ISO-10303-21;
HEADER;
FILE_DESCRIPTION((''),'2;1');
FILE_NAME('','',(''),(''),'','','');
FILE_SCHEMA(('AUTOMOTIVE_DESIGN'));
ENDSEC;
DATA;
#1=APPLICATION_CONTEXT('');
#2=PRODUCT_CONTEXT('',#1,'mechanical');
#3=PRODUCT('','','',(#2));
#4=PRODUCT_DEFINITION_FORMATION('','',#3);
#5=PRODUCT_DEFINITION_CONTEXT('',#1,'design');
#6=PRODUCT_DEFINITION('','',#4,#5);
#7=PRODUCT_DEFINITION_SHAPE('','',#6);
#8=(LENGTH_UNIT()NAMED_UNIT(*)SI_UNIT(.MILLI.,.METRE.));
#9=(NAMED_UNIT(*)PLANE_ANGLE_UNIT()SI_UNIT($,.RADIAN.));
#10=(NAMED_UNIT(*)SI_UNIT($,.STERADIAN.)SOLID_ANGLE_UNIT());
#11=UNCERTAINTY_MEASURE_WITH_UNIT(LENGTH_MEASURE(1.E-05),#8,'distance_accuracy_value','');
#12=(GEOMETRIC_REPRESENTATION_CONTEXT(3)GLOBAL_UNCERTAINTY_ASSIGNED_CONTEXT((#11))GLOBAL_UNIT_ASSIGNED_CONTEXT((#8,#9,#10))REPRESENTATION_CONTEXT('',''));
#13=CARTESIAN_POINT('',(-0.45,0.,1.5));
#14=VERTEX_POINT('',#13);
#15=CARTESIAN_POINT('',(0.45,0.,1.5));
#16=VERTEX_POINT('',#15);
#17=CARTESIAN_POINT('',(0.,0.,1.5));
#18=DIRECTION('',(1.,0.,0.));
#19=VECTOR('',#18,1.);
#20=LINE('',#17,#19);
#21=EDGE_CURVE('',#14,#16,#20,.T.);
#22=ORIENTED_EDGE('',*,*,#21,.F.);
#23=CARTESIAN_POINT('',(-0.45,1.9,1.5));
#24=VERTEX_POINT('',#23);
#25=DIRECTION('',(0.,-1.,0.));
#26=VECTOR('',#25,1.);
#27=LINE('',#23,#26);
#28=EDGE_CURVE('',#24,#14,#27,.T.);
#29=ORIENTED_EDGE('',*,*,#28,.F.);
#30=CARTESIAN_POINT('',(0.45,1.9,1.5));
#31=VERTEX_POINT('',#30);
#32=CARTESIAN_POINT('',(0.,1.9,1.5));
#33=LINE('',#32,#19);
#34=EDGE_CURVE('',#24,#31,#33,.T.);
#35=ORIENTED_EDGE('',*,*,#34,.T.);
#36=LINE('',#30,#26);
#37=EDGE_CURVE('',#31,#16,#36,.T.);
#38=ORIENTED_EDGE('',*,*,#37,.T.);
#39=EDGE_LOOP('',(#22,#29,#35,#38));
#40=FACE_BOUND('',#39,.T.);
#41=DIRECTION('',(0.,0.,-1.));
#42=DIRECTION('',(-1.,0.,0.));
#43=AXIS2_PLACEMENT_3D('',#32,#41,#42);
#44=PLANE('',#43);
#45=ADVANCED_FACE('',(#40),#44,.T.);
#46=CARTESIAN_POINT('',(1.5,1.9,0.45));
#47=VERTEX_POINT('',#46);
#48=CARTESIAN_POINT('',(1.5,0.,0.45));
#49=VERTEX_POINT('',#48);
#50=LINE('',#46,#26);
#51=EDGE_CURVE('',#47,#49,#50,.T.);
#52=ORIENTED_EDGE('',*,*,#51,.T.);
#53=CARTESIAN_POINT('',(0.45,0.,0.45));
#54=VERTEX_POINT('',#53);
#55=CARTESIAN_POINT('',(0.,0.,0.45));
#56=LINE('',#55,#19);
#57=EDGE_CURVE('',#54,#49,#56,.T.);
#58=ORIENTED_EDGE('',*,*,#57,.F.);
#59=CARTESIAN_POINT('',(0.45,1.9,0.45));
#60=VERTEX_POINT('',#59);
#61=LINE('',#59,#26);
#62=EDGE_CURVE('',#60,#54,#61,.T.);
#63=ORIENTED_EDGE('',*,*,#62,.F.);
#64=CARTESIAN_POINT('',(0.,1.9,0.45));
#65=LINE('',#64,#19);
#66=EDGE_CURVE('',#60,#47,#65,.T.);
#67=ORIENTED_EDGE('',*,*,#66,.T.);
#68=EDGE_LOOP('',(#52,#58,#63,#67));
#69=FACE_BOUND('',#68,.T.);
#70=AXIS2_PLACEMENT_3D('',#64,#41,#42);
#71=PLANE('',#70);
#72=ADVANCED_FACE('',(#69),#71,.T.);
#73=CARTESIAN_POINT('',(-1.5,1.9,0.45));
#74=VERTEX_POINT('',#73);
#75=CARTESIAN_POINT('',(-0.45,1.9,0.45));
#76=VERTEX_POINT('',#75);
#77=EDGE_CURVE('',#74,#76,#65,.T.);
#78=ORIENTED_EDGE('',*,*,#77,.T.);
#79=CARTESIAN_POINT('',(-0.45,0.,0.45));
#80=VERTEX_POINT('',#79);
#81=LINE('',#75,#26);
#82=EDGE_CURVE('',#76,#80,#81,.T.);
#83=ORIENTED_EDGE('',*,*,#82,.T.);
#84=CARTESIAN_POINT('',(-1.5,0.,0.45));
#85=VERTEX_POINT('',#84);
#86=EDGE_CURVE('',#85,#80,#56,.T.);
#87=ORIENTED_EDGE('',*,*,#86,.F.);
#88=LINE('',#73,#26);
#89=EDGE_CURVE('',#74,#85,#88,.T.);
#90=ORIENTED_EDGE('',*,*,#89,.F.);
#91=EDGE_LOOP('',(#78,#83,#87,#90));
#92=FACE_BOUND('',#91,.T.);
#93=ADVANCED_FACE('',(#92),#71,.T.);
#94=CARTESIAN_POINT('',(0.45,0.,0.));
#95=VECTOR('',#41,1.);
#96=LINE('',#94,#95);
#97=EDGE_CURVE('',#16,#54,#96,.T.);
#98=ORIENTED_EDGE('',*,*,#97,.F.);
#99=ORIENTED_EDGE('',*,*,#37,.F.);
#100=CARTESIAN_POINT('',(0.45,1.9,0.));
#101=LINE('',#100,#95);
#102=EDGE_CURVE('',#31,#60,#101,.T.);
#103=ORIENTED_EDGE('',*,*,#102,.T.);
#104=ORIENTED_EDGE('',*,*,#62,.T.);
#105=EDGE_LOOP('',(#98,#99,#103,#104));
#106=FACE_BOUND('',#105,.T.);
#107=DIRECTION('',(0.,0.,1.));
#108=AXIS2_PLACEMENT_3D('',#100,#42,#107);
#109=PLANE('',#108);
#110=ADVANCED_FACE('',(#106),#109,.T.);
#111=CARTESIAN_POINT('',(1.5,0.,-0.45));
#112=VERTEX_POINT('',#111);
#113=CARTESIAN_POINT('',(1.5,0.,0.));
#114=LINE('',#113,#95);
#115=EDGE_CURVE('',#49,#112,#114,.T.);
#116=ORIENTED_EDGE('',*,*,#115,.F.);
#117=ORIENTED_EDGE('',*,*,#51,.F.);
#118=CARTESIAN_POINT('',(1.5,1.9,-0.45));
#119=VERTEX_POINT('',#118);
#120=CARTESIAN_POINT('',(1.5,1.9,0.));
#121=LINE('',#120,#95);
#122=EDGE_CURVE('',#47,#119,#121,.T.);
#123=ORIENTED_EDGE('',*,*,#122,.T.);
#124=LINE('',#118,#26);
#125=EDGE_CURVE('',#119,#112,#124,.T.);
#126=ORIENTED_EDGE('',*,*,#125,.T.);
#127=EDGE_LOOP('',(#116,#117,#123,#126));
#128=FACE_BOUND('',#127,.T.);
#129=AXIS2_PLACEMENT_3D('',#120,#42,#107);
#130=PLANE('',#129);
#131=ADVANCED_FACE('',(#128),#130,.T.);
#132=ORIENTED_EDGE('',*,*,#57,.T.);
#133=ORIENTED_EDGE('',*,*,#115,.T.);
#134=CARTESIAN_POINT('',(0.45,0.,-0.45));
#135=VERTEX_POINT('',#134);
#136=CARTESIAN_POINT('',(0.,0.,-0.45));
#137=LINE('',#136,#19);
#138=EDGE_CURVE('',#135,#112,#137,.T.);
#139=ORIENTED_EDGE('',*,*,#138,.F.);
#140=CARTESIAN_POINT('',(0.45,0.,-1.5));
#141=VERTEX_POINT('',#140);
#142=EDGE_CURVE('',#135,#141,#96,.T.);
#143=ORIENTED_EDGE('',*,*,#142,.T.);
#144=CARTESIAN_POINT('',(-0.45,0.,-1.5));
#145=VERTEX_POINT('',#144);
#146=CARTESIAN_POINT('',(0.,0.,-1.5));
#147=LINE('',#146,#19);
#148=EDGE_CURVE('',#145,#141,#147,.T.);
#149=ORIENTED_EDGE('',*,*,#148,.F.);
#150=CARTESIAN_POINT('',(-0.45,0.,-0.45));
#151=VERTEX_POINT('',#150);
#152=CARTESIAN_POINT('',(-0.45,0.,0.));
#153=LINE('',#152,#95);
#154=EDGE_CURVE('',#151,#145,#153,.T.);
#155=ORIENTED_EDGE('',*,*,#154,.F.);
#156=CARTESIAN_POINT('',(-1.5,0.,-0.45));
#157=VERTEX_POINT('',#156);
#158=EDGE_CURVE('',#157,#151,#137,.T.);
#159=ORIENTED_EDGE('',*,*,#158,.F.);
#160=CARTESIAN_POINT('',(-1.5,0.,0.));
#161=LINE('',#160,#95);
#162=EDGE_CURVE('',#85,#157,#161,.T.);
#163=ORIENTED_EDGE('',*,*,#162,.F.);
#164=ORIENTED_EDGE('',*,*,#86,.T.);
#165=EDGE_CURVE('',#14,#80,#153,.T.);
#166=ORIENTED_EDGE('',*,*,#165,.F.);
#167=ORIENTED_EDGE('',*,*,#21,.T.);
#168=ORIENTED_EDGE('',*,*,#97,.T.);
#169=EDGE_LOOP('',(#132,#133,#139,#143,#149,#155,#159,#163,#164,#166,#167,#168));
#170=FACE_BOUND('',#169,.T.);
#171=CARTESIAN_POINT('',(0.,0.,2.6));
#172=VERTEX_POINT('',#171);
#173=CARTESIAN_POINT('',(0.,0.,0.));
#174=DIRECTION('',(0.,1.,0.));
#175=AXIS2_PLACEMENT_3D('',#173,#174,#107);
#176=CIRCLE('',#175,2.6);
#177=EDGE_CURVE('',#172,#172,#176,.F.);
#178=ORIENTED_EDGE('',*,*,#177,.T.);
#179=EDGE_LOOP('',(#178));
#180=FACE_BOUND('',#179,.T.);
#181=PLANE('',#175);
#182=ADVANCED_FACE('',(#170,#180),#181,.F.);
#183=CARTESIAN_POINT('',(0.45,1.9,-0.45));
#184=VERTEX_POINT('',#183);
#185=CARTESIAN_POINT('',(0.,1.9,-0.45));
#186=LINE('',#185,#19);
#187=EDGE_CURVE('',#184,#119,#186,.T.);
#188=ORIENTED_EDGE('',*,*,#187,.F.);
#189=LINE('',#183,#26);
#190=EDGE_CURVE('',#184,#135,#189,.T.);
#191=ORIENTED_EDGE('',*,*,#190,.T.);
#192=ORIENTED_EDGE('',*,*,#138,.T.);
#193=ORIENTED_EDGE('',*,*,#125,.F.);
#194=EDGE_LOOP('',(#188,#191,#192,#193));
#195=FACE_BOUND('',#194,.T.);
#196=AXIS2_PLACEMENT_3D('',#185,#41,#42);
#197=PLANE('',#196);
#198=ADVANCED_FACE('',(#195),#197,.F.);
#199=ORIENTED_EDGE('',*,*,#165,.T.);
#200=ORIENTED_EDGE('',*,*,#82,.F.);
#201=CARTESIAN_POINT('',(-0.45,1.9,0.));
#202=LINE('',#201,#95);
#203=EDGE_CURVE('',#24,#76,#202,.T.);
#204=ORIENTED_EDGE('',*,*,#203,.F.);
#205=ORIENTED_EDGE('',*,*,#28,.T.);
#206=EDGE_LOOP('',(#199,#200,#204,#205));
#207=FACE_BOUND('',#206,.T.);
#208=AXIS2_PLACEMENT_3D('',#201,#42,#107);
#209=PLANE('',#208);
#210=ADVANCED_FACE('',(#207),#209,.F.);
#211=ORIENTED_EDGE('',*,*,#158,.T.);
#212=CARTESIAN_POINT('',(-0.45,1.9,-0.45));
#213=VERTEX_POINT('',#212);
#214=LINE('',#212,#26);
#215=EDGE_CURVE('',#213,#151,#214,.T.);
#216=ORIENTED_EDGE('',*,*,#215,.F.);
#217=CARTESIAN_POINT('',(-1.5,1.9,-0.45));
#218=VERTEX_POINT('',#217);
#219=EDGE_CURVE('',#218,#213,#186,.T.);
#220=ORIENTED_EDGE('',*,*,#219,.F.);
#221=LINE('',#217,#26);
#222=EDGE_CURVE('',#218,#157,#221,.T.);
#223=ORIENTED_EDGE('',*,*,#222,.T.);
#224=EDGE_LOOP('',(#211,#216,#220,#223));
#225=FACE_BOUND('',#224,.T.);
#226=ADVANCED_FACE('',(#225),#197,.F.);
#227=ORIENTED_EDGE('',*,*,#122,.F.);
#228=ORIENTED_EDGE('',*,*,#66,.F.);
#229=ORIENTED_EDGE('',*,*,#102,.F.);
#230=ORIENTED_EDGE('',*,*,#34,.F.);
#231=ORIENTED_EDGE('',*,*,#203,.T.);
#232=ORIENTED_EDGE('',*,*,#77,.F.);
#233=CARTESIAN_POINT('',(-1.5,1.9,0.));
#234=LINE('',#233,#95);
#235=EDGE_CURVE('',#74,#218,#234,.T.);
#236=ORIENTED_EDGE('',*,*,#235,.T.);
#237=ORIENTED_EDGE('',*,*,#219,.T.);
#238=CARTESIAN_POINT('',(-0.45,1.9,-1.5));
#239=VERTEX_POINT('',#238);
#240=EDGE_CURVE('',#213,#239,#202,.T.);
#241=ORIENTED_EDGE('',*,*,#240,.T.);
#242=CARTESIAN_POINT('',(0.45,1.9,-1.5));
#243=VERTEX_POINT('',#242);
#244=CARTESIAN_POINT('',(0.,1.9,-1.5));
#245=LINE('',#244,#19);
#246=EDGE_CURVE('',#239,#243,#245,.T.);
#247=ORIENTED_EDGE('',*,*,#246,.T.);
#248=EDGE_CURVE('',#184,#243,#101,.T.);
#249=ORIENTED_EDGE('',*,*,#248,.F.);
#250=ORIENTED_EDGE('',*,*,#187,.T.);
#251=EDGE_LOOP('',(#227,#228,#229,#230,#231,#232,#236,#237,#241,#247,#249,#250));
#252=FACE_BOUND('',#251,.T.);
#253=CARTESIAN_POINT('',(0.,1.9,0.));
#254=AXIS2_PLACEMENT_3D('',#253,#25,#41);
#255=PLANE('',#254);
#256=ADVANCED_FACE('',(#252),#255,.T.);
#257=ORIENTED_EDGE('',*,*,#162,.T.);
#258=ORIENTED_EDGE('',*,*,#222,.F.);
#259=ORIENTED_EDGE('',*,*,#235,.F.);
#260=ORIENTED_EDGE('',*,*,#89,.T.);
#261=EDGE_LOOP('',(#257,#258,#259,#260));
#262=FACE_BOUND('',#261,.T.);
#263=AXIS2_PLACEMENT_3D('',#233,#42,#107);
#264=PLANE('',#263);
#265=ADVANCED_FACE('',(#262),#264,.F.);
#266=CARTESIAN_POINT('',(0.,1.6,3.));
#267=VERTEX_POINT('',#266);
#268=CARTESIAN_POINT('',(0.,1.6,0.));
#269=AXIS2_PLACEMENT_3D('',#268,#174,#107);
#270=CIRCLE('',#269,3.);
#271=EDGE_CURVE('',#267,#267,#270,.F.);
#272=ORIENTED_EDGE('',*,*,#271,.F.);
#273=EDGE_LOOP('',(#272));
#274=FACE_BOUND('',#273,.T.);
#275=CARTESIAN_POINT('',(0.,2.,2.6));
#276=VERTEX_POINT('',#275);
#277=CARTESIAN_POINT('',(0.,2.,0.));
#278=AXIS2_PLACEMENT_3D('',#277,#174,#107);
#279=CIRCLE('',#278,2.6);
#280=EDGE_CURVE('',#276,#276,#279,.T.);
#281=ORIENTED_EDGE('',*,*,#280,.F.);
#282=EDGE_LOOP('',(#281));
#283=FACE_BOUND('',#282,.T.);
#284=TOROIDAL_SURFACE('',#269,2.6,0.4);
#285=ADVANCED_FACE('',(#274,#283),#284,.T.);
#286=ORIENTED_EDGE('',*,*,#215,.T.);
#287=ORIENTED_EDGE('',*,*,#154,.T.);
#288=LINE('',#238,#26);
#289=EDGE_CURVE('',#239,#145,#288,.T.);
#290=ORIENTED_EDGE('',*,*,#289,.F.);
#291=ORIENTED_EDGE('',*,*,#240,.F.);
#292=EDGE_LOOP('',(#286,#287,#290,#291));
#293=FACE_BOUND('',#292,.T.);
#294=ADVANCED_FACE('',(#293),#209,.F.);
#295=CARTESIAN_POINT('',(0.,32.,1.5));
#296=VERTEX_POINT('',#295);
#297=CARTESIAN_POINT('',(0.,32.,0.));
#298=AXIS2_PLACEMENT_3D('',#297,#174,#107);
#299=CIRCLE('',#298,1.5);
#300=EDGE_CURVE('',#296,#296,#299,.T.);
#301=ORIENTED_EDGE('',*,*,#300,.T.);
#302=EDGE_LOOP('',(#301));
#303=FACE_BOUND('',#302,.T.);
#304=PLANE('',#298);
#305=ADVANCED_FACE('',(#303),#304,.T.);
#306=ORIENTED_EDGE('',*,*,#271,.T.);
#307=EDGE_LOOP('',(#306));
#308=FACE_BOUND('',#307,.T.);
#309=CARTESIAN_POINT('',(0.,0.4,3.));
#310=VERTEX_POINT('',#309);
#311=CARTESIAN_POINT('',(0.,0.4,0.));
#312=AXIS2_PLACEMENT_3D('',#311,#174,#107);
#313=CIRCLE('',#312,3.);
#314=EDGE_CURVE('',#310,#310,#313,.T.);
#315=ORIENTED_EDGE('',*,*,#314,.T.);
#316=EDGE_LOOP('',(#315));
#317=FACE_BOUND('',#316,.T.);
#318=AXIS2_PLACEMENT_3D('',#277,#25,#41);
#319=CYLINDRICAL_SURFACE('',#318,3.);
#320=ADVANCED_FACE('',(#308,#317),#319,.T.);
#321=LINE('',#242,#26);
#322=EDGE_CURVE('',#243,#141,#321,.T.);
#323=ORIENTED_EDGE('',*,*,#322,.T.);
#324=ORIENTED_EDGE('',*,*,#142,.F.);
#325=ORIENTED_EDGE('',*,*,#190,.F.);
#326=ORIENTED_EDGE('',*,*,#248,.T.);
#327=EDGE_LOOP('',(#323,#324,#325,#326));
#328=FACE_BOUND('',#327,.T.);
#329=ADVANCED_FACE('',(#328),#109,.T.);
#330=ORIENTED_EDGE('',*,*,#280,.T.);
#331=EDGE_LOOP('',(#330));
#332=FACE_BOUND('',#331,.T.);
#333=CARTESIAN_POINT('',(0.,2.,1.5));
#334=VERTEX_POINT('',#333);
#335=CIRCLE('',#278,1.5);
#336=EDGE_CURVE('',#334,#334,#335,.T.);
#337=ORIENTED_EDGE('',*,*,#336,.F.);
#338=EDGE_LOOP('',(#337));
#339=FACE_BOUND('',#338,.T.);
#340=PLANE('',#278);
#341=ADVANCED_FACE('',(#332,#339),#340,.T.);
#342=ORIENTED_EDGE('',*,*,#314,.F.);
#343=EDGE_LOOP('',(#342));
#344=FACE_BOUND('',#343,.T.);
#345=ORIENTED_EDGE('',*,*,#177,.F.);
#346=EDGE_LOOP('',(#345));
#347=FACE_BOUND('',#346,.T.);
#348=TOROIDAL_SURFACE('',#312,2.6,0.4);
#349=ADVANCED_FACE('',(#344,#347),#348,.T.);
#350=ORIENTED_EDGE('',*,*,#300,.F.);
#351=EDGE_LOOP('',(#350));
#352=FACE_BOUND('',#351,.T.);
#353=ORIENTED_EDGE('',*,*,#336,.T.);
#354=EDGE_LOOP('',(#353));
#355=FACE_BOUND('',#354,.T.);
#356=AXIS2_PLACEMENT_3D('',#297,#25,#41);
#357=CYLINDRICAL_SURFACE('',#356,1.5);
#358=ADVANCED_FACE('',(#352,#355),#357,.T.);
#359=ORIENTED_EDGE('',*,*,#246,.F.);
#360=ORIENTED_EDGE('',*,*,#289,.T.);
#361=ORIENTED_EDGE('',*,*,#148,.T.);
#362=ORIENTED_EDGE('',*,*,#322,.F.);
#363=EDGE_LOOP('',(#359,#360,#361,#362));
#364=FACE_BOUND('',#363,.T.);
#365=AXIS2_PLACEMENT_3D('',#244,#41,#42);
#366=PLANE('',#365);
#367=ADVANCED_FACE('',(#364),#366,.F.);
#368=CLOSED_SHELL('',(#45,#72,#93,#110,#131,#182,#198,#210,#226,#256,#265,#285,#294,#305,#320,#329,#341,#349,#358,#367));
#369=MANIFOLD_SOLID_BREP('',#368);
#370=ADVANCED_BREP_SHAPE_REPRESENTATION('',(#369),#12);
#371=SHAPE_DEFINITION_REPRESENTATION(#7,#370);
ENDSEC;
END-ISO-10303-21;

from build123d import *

# Parameters (mm, degrees)
SKETCH1_R           = 3
BOSS_EXTRUDE1_DEPTH = 2
SKETCH2_R           = 1.5
BOSS_EXTRUDE2_DEPTH = 30
SKETCH3_W           = 0.9
SKETCH3_H           = 0.9
SKETCH3_W_2         = 1.05
SKETCH3_H_2         = 1.05
CUT_EXTRUDE1_DEPTH  = 1.9
FILLET1_R           = 0.4


with BuildPart() as part:
    # Sketch1 → Boss-Extrude1 (new body)
    with BuildSketch(Plane(origin=(0, 0, 0), x_dir=(1, 0, 0), z_dir=(0, 1, 0))):
        Circle(SKETCH1_R)
    extrude(amount=BOSS_EXTRUDE1_DEPTH)

    # Sketch2 → Boss-Extrude2 (add)
    with BuildSketch(Plane(origin=(0, 2, 0), x_dir=(1, 0, 0), z_dir=(0, 1, 0))):
        Circle(SKETCH2_R)
    extrude(amount=BOSS_EXTRUDE2_DEPTH)

    # Sketch3 → Cut-Extrude1 (cut)
    with BuildSketch(Plane(origin=(0, 0, 0), x_dir=(-1, 0, 0), z_dir=(0, -1, 0))):
        Rectangle(SKETCH3_W, SKETCH3_H)
        with Locations((0.975, 0)):
            Rectangle(SKETCH3_W_2, SKETCH3_H)
        with Locations((0, -0.975)):
            Rectangle(SKETCH3_W, SKETCH3_H_2)
        with Locations((-0.975, 0)):
            Rectangle(SKETCH3_W_2, SKETCH3_H)
        with Locations((0, 0.975)):
            Rectangle(SKETCH3_W, SKETCH3_H_2)
    extrude(amount=-CUT_EXTRUDE1_DEPTH, mode=Mode.SUBTRACT)

    # Fillet1
    fillet1_edges = [part.edges().sort_by_distance(p)[0] for p in [
        (-3, 0, 0),
        (-3, 2, 0),
    ]]
    fillet(fillet1_edges, radius=FILLET1_R)


solid = part.part
